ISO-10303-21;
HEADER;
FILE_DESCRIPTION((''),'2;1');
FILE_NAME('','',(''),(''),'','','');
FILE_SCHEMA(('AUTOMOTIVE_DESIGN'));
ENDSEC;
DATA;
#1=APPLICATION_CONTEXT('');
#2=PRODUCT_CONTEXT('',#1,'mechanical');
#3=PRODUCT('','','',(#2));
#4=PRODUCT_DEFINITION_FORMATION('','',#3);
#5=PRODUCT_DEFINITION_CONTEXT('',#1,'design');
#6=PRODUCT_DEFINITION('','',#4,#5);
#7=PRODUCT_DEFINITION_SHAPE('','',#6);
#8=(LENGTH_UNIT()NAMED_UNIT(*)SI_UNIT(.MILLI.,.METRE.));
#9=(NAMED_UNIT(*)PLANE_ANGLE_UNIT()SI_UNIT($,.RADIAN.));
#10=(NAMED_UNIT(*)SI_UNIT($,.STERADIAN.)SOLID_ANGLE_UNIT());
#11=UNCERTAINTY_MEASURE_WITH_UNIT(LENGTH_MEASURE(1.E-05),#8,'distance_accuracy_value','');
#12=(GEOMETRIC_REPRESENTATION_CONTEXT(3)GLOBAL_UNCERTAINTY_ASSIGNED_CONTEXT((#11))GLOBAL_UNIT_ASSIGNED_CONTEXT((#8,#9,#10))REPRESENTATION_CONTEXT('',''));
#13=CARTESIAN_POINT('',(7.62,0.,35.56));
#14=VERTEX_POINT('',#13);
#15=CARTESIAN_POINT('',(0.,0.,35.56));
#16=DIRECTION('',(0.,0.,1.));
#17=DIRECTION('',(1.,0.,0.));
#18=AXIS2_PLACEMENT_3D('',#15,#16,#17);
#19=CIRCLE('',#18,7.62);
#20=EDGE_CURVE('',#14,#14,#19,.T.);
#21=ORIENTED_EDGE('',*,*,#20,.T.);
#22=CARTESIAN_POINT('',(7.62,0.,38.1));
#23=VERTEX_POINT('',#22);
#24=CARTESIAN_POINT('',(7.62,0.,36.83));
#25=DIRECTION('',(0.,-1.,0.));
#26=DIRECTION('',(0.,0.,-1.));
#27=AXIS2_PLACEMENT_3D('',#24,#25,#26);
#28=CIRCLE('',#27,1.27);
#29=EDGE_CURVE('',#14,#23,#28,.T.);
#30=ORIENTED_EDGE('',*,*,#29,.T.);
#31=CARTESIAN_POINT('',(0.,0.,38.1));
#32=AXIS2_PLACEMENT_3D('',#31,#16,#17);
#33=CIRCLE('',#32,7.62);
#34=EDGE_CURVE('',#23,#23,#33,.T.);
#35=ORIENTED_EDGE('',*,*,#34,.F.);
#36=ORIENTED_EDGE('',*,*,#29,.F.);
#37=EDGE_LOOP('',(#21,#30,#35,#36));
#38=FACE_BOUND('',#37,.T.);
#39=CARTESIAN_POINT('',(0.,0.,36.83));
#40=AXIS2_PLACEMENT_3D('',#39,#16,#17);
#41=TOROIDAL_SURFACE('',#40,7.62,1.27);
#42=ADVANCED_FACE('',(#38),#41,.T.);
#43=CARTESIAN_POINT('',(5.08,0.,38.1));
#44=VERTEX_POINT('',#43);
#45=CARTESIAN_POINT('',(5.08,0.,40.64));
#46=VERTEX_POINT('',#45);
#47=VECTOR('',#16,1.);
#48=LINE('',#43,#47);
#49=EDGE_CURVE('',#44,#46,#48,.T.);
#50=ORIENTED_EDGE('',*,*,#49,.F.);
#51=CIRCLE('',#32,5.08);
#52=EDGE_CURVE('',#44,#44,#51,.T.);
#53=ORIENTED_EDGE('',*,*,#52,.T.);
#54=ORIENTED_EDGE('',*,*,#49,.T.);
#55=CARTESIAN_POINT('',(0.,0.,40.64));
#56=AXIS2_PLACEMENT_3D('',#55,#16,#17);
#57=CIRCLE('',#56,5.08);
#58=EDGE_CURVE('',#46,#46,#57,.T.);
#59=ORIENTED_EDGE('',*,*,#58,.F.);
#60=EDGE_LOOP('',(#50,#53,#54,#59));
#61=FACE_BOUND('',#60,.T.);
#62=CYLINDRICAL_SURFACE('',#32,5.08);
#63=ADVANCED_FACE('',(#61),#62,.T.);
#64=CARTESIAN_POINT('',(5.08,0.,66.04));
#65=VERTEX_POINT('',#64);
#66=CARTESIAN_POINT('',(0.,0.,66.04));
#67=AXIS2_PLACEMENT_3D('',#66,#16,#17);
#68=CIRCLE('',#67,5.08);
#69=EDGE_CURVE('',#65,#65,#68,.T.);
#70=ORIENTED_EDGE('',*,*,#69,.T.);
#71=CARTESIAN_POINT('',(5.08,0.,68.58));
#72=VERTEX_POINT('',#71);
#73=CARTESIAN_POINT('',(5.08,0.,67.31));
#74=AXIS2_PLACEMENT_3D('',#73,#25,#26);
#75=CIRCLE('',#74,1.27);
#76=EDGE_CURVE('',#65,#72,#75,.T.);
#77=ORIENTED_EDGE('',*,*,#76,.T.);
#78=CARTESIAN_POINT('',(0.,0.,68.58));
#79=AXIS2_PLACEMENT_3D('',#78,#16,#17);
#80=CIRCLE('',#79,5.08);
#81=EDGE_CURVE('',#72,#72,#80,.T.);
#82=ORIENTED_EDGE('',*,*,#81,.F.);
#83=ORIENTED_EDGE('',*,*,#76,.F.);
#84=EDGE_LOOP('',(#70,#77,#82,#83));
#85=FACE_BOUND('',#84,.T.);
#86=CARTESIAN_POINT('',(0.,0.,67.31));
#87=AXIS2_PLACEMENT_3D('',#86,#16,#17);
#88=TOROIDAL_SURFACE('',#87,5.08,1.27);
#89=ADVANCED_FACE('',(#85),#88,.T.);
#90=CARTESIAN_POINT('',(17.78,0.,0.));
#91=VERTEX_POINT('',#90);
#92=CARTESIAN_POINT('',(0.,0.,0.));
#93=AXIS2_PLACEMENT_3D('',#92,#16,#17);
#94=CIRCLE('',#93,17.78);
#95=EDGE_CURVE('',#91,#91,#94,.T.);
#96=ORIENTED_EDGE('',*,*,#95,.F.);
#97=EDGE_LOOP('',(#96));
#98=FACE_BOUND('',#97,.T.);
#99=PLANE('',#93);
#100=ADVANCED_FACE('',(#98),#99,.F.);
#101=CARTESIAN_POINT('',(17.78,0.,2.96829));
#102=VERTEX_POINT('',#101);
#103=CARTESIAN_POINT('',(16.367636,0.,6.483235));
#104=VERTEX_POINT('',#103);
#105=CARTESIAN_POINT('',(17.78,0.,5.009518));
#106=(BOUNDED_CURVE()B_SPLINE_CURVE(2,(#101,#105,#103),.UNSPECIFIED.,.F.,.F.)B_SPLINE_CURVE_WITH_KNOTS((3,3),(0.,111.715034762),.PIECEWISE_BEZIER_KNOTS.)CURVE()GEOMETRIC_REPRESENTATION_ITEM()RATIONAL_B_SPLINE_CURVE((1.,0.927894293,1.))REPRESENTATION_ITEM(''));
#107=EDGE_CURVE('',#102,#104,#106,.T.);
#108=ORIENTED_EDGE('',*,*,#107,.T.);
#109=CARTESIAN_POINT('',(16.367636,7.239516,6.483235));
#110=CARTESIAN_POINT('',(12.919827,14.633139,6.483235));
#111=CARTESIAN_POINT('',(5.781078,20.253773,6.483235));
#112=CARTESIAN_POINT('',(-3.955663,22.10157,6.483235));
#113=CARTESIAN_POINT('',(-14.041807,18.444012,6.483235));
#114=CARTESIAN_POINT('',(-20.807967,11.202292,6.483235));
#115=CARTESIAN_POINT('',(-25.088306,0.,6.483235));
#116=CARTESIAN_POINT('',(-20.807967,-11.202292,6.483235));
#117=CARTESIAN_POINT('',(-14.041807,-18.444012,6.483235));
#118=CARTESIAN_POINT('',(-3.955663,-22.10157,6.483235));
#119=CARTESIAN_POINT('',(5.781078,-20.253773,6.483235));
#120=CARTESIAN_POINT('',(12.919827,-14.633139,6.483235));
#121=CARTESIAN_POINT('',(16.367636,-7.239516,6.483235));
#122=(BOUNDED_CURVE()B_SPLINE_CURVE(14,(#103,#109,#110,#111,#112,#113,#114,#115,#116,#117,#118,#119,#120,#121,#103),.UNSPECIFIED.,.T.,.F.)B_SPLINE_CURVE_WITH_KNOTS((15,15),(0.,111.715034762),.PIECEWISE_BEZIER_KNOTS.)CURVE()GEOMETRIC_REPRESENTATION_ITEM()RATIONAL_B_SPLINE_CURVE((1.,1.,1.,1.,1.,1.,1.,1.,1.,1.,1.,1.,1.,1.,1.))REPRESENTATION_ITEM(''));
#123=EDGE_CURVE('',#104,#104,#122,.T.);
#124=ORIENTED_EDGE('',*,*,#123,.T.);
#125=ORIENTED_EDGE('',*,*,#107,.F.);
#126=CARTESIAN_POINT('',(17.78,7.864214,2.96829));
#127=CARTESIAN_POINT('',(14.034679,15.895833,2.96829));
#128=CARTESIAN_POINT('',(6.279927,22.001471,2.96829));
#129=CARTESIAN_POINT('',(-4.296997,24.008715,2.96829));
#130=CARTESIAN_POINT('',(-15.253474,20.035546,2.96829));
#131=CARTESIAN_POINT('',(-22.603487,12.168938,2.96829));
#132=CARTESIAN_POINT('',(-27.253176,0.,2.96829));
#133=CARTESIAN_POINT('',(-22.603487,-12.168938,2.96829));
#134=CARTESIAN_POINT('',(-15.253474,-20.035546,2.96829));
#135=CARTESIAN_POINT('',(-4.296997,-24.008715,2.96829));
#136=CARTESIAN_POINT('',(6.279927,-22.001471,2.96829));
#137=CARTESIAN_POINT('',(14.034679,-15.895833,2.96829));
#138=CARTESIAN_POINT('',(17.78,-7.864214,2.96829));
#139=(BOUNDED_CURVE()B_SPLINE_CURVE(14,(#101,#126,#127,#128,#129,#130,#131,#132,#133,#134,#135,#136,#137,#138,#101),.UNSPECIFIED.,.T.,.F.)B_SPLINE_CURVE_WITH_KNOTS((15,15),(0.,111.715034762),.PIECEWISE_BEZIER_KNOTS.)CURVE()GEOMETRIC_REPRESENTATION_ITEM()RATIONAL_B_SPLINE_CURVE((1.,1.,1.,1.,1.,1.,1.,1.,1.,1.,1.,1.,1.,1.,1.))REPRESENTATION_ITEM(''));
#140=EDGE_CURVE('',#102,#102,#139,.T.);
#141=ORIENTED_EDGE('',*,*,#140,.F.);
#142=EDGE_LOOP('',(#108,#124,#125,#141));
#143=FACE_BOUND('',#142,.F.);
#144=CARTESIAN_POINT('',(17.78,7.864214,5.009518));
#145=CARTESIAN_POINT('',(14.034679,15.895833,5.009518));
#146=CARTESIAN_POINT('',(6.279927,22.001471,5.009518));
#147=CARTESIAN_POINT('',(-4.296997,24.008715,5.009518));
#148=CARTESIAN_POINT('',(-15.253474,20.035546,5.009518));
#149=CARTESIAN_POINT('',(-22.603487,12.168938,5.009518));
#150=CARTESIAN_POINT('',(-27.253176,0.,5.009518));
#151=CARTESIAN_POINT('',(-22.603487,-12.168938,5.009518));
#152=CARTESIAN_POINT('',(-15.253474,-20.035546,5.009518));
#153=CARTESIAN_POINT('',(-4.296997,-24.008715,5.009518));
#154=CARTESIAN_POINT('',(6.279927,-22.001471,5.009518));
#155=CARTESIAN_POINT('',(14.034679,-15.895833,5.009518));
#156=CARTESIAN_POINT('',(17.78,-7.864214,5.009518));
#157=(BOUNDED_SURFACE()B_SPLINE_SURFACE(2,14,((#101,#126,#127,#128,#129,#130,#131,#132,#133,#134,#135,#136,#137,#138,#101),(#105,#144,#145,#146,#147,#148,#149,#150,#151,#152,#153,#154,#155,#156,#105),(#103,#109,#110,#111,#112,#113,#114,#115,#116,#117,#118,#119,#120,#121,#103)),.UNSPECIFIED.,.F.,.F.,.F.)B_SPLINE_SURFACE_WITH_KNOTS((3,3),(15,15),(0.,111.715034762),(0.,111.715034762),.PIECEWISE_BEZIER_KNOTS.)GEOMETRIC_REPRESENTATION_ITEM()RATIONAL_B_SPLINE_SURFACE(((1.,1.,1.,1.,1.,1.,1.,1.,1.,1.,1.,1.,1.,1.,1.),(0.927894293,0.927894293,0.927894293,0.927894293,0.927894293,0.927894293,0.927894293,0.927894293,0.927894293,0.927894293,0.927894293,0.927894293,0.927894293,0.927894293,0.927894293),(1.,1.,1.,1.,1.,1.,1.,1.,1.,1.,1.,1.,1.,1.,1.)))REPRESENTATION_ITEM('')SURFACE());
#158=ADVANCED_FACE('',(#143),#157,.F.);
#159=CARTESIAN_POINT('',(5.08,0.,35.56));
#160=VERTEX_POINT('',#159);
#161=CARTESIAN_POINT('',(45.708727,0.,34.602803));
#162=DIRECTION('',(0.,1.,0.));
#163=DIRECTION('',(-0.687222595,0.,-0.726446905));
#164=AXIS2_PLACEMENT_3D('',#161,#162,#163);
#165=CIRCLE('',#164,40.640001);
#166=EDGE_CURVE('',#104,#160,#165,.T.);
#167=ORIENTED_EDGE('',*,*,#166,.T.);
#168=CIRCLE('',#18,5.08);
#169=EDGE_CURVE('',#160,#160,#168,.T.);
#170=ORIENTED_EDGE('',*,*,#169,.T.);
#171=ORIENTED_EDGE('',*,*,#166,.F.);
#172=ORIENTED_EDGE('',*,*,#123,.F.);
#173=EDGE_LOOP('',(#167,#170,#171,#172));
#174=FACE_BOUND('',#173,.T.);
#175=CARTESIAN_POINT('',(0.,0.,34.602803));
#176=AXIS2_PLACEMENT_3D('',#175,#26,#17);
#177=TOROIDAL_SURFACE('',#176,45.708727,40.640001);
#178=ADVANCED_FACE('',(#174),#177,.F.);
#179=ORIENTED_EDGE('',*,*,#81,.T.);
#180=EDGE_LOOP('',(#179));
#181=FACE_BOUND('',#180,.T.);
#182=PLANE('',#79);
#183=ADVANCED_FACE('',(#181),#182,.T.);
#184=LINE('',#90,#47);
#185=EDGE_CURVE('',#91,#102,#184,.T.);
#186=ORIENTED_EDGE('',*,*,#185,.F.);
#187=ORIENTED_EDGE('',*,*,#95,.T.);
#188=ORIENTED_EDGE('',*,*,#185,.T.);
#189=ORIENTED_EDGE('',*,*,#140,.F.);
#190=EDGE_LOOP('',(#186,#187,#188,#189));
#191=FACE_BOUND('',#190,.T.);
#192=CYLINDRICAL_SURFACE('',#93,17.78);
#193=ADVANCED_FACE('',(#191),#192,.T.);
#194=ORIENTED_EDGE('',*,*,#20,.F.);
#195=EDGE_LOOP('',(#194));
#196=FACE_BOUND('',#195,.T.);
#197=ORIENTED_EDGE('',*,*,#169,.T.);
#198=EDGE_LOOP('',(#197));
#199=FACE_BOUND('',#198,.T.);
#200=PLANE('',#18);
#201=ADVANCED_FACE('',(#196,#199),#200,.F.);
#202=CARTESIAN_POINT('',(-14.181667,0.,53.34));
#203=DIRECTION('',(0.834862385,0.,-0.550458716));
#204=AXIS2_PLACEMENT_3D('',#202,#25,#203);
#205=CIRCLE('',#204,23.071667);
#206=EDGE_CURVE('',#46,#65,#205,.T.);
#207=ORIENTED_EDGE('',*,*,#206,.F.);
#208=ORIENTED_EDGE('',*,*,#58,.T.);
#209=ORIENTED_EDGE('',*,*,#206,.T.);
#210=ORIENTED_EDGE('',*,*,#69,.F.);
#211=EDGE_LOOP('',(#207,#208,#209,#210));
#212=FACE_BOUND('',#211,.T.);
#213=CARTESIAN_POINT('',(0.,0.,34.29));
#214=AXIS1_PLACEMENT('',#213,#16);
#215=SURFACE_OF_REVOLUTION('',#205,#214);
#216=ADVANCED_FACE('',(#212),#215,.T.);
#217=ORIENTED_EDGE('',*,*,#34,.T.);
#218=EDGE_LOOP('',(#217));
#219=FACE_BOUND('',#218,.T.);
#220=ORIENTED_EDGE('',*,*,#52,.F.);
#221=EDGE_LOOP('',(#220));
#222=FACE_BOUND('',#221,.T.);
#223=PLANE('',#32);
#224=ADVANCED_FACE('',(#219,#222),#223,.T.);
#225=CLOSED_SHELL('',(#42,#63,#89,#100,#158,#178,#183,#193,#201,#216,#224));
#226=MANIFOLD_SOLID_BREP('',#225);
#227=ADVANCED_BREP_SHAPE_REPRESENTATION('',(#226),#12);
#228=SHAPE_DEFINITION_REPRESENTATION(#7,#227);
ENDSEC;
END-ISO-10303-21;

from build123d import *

# Parameters (mm, degrees)
F2_R = 5.08


with BuildPart() as f1:
    # F0 (on Front) → F1 (revolve)
    with BuildSketch(Plane.XZ):
        with BuildLine():
            Line((0, 68.58), (0, 0))
            Line((0, 0), (17.78, 0))
            Line((17.78, 0), (17.78, 5.08))
            ThreePointArc((17.78, 5.08), (8.19488, 18.972033), (5.08, 35.56))
            Line((5.08, 35.56), (7.62, 35.56))
            ThreePointArc((7.62, 35.56), (8.89, 36.83), (7.62, 38.1))
            Line((7.62, 38.1), (5.08, 38.1))
            Line((5.08, 38.1), (5.08, 40.64))
            ThreePointArc((5.08, 40.64), (8.89, 53.34), (5.08, 66.04))
            ThreePointArc((5.08, 66.04), (6.35, 67.31), (5.08, 68.58))
            Line((5.08, 68.58), (0, 68.58))
        make_face()
    revolve(axis=Axis((0, 0, 34.29), (0, 0, 1)))

    # F2
    f2_edges = [f1.edges().sort_by_distance(p)[0] for p in [
        (-17.78, 0, 5.08),
    ]]
    fillet(f2_edges, radius=F2_R)


solid = f1.part
